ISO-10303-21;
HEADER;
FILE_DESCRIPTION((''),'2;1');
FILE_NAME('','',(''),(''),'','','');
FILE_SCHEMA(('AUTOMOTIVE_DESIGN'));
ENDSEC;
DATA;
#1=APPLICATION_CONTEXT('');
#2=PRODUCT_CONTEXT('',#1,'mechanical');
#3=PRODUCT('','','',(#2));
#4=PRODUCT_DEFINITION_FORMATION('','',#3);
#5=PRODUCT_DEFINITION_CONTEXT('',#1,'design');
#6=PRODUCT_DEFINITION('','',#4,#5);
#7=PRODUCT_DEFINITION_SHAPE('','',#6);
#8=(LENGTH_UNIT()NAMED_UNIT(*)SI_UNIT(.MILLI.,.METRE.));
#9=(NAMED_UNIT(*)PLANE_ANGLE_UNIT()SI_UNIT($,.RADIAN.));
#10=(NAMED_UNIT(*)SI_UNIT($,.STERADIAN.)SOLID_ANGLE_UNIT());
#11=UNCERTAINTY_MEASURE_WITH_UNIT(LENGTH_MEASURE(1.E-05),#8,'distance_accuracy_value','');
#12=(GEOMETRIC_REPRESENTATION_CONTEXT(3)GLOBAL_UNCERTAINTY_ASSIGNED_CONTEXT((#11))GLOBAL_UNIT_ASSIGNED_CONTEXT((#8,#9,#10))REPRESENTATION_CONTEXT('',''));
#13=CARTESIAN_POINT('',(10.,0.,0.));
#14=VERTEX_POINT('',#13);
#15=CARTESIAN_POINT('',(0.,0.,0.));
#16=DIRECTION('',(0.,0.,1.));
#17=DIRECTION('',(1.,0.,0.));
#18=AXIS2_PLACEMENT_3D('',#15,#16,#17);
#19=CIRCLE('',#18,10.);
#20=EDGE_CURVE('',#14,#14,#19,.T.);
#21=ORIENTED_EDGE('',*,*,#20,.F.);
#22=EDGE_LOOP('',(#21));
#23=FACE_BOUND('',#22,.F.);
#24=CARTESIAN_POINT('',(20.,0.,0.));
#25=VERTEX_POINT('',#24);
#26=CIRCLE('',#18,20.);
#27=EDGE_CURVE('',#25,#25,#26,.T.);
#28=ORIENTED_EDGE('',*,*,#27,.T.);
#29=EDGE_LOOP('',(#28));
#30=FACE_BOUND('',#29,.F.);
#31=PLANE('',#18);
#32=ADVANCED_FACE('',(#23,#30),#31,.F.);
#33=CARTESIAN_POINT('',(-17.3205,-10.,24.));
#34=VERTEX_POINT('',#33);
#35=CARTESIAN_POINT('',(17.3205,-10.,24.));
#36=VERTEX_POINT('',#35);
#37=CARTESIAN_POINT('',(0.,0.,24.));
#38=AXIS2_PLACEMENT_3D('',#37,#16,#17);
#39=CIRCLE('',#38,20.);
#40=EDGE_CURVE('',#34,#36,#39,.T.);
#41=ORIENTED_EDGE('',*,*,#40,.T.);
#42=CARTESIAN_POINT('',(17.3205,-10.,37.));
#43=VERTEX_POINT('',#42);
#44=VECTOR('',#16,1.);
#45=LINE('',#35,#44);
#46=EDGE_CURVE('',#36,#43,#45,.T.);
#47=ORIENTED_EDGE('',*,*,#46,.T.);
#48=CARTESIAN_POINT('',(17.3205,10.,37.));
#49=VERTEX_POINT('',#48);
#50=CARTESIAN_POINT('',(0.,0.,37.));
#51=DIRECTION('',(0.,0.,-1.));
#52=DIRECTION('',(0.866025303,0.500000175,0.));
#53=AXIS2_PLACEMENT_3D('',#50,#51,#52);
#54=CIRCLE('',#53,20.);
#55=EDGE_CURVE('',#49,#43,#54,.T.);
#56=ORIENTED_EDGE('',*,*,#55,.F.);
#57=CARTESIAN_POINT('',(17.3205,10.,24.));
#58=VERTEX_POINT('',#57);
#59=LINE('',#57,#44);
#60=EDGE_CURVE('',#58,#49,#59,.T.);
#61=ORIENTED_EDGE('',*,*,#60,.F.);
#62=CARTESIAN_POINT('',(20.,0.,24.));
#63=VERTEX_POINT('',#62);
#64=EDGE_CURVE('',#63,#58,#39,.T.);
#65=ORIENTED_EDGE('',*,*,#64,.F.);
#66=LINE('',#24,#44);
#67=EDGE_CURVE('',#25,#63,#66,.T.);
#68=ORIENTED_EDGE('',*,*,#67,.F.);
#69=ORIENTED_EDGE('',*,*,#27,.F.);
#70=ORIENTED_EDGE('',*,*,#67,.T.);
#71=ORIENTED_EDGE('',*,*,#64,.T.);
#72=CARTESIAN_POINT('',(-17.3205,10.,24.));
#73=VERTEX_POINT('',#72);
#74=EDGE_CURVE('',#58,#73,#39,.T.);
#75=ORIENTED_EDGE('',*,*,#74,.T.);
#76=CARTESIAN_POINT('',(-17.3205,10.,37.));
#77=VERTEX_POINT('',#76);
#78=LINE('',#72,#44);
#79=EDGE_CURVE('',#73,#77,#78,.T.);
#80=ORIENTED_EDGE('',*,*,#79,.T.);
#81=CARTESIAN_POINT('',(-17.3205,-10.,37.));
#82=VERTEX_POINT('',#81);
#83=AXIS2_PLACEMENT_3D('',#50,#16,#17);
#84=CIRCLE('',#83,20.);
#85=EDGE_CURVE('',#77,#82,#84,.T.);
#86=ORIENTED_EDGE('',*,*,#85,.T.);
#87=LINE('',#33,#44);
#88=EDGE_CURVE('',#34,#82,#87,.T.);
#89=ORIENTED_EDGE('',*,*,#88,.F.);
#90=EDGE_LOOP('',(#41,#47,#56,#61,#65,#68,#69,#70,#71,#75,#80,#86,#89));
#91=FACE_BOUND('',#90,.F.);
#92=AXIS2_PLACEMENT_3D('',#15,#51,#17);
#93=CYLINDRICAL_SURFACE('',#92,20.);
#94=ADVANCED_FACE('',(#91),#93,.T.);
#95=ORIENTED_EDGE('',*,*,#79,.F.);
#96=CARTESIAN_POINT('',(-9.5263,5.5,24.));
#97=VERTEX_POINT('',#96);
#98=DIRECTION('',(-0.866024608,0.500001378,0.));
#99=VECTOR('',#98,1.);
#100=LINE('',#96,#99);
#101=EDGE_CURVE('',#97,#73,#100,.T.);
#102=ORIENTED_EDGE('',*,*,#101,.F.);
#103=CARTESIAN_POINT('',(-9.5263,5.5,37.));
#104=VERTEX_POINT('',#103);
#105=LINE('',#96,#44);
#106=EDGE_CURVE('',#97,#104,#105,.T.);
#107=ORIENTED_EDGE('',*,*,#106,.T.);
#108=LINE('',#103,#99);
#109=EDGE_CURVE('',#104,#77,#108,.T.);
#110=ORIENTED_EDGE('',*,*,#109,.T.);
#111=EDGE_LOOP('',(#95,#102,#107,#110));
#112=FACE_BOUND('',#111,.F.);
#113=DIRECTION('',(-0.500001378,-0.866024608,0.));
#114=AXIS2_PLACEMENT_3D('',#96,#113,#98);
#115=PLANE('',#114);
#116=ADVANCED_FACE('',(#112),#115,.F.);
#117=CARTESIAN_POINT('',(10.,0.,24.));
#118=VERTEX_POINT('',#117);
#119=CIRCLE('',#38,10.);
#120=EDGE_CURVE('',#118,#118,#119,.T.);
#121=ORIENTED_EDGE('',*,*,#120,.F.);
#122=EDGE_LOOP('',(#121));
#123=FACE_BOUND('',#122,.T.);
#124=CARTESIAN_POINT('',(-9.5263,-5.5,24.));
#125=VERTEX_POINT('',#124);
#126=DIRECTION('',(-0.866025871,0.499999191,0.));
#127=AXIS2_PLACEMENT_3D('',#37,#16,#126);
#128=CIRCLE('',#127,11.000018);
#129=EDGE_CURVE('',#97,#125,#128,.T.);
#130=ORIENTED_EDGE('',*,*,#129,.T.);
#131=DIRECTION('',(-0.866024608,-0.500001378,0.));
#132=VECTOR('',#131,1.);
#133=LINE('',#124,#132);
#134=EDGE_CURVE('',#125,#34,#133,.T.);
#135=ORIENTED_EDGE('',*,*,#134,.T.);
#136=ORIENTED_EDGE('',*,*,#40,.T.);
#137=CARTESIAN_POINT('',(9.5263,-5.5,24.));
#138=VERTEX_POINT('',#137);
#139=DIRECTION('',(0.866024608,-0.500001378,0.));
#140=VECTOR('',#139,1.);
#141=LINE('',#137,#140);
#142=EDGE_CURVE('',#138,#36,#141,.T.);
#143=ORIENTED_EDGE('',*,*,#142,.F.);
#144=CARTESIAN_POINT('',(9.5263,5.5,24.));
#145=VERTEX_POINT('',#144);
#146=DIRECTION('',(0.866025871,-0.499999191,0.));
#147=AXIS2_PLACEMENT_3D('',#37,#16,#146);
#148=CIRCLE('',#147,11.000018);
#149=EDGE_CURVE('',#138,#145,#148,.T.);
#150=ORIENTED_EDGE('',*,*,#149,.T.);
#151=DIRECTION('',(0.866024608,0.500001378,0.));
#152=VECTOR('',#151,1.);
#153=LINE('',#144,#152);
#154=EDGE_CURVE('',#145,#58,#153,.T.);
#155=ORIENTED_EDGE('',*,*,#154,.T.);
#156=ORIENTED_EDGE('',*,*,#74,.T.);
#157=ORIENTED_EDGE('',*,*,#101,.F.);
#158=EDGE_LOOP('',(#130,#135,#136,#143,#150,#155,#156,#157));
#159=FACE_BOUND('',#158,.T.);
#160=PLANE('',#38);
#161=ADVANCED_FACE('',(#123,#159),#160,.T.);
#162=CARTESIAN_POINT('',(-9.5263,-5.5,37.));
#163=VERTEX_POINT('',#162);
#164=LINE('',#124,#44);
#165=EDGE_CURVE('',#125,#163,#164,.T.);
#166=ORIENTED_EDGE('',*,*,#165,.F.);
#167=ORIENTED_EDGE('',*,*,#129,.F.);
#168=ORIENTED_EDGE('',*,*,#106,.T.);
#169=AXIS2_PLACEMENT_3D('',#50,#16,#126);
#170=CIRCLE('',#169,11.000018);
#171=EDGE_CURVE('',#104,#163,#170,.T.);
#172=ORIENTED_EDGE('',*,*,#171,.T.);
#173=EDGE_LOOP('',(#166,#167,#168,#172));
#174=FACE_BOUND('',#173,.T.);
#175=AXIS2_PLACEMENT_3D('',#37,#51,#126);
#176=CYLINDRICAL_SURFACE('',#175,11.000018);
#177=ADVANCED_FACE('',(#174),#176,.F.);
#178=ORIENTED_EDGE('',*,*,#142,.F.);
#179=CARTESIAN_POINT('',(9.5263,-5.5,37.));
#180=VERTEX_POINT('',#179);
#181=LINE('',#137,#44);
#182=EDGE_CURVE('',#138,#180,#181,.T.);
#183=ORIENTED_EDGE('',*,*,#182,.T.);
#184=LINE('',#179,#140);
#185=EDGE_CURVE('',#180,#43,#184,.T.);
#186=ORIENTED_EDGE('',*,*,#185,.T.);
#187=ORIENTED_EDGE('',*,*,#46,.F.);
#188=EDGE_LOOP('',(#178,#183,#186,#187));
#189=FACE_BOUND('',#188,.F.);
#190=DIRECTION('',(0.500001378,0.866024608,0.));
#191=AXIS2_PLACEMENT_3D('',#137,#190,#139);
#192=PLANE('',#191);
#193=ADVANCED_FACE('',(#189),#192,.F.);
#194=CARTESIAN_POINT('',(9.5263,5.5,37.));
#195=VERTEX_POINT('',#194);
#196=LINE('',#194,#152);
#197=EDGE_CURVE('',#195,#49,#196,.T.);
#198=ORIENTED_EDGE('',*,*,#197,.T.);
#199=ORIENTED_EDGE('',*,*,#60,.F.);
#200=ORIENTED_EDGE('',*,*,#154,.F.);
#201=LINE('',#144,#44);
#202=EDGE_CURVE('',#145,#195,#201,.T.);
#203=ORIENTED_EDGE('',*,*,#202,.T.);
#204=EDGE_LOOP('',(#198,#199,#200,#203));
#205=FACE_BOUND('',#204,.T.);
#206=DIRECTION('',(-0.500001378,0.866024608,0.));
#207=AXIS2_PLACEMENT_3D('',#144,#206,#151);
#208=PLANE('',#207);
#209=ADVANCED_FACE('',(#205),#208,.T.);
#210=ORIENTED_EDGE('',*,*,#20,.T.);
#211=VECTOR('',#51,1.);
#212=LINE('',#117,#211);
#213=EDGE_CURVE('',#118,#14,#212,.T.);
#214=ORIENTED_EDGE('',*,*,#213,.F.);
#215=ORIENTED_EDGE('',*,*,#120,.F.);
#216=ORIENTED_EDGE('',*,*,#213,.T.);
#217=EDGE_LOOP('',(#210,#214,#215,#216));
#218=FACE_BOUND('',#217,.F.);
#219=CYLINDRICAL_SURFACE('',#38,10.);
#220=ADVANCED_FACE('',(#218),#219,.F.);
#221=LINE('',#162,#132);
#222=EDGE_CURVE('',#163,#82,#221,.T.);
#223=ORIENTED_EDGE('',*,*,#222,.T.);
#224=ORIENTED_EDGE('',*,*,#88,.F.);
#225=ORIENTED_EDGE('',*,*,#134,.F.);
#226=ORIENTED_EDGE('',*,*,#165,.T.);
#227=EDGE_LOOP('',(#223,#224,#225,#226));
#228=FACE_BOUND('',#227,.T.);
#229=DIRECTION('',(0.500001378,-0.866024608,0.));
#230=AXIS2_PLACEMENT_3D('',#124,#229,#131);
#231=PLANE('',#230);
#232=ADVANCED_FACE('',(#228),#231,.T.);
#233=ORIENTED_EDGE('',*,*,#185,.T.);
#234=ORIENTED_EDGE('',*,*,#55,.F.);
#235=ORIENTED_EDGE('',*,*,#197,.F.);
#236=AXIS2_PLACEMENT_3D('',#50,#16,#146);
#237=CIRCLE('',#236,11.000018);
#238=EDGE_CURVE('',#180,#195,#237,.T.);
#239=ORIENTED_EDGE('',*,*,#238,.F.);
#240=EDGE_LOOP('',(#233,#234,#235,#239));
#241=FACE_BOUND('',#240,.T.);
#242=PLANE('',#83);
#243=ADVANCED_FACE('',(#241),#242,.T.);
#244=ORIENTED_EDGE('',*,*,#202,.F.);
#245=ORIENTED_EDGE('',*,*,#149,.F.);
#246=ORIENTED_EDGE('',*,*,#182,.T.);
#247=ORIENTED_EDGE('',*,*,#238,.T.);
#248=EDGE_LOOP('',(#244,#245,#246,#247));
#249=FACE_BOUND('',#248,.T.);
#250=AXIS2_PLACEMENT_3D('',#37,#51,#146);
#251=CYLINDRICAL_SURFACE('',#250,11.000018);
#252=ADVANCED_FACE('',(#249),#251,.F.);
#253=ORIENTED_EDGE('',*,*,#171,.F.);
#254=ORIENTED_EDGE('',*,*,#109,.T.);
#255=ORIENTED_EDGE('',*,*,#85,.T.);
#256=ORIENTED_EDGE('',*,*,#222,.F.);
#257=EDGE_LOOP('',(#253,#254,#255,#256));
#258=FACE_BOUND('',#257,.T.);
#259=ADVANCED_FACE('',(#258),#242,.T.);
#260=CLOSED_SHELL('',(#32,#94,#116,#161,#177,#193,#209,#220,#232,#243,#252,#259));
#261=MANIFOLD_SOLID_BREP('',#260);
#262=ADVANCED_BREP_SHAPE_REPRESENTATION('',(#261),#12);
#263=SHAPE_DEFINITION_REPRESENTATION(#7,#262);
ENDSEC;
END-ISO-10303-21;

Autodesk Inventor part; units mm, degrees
ref_plane "YZ Plane" through (0, 0, 0) normal (1, 0, 0) x (0, 1, 0)
ref_plane "XZ Plane" through (0, 0, 0) normal (0, 1, 0) x (-1, 0, 0)
ref_plane "XY Plane" through (0, 0, 0) normal (0, 0, 1) x (1, 0, 0)
sketch "Sketch1" plane through (0, 0, 0) normal (0, 0, 1) x (1, 0, 0)
  circle A0 centre (0, 0) radius 20
  dimension "d0" = 40
extrude "Extrusion1" add sketch "Sketch1" along normal blind 24
sketch "Sketch2" plane through (0, 0, 24) normal (0, 0, 1) x (1, 0, 0)
  arc A0 (-9.5263, 5.5) -> (-9.5263, -5.5) centre (0, 0) ccw
  line L0 (-9.5263, 5.5) -> (-17.3205, 10)
  circle A1 centre (0, 0) radius 20 projected
  line L1 (0, 0) -> (20, 0) construction
  line L2 (-9.5263, -5.5) -> (-17.3205, -10)
  line L3 (0, 0) -> (20, 0) construction
  line L4 (0, 0) -> (0, 20) construction
  arc A2 (9.5263, -5.5) -> (9.5263, 5.5) centre (0, 0) ccw
  line L5 (9.5263, 5.5) -> (17.3205, 10)
  line L6 (9.5263, -5.5) -> (17.3205, -10)
  dimension "d3" = 22
  dimension "d4" = 150
  dimension "d5" = 150
extrude "Extrusion2" add sketch "Sketch2" along normal blind 13 contours A0 L2 A1 L0 | A1 L6 A2 L5
sketch "Sketch3" plane through (0, 0, 24) normal (0, 0, 1) x (1, 0, 0)
  circle A0 centre (0, 0) radius 10
  dimension "d8" = 20
extrude "Extrusion3" cut sketch "Sketch3" against normal through all
properties part number "LOWER-JAW"
